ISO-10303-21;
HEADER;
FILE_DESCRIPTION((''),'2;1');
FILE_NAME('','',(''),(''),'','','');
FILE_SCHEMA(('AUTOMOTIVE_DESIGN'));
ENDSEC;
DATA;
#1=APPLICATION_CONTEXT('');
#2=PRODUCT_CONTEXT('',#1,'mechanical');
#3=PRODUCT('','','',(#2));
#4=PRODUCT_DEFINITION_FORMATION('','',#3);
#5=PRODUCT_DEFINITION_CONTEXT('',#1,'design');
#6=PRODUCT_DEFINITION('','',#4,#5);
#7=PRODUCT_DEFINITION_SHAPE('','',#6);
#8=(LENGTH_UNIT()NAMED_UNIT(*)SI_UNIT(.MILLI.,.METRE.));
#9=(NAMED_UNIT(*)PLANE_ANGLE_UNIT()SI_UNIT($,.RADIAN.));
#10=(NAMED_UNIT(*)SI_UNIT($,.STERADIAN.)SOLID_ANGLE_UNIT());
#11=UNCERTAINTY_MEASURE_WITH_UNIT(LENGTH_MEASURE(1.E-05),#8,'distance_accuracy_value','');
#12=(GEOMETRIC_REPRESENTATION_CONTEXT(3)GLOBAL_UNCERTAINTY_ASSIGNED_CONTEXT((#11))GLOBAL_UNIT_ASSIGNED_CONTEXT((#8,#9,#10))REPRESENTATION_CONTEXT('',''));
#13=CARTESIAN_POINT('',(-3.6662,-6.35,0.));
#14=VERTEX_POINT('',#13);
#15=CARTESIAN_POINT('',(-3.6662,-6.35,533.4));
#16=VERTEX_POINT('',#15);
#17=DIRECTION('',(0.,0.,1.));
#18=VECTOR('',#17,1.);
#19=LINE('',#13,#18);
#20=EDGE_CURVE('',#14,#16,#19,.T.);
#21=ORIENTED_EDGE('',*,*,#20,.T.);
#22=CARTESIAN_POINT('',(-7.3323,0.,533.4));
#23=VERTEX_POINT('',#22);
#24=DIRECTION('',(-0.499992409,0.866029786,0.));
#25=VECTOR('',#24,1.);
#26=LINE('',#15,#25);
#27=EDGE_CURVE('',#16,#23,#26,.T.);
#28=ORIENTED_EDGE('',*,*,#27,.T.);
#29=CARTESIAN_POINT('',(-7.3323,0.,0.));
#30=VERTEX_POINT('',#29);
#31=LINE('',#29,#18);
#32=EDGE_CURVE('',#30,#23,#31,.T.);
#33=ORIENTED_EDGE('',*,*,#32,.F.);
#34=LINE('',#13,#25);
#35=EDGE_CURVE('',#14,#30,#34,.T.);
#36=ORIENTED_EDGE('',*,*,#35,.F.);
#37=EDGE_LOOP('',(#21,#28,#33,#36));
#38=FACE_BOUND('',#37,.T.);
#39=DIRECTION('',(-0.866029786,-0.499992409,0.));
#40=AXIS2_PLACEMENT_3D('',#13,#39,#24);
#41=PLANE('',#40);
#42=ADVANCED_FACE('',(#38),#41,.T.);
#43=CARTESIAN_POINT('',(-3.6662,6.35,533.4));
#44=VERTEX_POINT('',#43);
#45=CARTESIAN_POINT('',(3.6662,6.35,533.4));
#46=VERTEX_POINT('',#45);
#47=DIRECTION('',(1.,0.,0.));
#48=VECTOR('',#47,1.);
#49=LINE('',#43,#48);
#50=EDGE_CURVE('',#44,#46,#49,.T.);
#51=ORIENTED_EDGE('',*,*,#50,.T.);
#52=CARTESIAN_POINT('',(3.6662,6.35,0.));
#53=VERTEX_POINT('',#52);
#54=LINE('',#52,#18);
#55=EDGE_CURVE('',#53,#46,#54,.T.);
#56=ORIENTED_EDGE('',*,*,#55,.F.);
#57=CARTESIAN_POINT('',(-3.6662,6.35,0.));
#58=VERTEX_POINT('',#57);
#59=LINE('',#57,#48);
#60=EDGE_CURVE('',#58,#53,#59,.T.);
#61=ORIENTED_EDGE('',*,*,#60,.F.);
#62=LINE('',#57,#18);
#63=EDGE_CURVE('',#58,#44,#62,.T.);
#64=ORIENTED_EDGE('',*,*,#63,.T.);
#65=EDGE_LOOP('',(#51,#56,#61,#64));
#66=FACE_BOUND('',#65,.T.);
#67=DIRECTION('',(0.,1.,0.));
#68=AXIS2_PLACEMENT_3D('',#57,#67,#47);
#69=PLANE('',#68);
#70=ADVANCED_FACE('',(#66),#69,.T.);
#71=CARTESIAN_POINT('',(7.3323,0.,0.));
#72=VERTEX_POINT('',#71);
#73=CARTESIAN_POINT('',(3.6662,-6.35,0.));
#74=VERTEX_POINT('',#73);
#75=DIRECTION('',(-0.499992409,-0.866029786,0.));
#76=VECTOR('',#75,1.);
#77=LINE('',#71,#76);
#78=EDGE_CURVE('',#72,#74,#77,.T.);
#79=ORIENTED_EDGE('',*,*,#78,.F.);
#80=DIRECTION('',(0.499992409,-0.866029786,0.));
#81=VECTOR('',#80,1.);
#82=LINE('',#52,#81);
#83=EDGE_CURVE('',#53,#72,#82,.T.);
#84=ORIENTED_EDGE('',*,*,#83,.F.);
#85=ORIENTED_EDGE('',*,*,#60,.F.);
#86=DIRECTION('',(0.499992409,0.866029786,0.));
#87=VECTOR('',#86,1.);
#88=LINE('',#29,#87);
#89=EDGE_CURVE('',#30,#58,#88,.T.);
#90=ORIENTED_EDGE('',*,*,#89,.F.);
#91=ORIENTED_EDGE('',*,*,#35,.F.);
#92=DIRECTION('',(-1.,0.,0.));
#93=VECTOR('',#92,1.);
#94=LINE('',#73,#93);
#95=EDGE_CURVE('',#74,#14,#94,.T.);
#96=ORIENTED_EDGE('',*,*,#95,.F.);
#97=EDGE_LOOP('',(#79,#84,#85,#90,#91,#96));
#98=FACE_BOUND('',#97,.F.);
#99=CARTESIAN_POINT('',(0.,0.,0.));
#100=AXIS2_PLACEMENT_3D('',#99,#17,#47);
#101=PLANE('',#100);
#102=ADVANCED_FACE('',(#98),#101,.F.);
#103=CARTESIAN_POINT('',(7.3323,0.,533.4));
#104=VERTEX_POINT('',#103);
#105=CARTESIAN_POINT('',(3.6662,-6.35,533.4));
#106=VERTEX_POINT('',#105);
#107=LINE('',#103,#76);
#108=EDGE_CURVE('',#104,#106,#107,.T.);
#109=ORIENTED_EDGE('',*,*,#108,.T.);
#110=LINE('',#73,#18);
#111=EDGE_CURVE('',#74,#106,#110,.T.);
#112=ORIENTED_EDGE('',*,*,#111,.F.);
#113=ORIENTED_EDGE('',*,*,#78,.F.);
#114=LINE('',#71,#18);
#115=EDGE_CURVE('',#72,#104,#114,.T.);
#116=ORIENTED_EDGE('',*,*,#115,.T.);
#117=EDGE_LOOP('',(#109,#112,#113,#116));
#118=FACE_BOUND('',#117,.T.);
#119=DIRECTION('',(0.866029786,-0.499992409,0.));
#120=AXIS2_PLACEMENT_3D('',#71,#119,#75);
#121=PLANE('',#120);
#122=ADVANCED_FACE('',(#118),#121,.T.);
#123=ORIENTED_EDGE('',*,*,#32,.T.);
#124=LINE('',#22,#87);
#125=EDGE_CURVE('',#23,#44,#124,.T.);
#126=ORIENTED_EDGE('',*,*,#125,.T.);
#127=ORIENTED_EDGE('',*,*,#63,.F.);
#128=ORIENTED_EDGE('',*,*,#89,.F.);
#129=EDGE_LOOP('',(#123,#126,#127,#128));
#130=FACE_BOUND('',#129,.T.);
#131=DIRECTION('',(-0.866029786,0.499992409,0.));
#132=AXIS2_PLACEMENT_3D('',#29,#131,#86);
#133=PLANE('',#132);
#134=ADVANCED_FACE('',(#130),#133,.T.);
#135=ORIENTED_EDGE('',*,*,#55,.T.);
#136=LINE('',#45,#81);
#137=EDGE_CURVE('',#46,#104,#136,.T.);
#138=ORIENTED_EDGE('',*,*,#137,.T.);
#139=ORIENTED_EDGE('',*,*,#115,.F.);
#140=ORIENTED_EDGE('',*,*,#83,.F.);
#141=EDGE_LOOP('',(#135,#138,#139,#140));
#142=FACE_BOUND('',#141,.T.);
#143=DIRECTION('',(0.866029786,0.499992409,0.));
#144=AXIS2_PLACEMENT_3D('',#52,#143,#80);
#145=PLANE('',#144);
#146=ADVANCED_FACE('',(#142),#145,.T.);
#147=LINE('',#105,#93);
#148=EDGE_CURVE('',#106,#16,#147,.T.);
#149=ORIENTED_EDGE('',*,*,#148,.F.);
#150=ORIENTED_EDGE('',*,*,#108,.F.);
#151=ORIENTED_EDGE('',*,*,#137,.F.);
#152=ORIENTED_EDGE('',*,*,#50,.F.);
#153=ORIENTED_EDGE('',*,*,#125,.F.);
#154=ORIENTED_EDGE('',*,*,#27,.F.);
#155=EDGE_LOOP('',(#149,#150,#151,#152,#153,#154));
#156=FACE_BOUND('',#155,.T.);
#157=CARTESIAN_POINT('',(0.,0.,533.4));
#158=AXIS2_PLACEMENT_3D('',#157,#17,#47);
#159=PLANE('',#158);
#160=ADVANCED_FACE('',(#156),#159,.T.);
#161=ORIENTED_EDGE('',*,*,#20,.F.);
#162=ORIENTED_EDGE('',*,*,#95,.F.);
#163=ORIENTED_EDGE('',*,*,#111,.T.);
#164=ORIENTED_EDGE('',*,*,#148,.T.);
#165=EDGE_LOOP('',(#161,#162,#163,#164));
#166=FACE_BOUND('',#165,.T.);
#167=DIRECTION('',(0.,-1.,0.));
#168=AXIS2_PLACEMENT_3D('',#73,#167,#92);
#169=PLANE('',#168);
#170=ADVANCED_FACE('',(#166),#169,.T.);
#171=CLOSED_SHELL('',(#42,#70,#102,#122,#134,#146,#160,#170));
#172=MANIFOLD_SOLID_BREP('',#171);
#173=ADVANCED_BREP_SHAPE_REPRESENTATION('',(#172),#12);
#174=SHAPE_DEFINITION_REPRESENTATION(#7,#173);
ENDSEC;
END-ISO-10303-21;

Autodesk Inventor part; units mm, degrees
ref_plane "YZ Plane" through (0, 0, 0) normal (1, 0, 0) x (0, 1, 0)
ref_plane "XZ Plane" through (0, 0, 0) normal (0, 1, 0) x (-1, 0, 0)
ref_plane "XY Plane" through (0, 0, 0) normal (0, 0, 1) x (1, 0, 0)
sketch "Sketch1" plane through (0, 0, 0) normal (0, 0, 1) x (1, 0, 0)
  line L0 (3.6662, 6.35) -> (7.3323, 0)
  line L1 (7.3323, 0) -> (3.6662, -6.35)
  line L2 (3.6662, -6.35) -> (-3.6662, -6.35)
  line L3 (-3.6662, -6.35) -> (-7.3323, 0)
  line L4 (-7.3323, 0) -> (-3.6662, 6.35)
  line L5 (-3.6662, 6.35) -> (3.6662, 6.35)
  point P0 (0, 0)
  point P1 (0, 0)
  dimension "d0" = 12.7
extrude "Extrusion1" add sketch "Sketch1" along normal blind 533.4
properties part number "hex rod 21 inch" material "Steel, Alloy"
